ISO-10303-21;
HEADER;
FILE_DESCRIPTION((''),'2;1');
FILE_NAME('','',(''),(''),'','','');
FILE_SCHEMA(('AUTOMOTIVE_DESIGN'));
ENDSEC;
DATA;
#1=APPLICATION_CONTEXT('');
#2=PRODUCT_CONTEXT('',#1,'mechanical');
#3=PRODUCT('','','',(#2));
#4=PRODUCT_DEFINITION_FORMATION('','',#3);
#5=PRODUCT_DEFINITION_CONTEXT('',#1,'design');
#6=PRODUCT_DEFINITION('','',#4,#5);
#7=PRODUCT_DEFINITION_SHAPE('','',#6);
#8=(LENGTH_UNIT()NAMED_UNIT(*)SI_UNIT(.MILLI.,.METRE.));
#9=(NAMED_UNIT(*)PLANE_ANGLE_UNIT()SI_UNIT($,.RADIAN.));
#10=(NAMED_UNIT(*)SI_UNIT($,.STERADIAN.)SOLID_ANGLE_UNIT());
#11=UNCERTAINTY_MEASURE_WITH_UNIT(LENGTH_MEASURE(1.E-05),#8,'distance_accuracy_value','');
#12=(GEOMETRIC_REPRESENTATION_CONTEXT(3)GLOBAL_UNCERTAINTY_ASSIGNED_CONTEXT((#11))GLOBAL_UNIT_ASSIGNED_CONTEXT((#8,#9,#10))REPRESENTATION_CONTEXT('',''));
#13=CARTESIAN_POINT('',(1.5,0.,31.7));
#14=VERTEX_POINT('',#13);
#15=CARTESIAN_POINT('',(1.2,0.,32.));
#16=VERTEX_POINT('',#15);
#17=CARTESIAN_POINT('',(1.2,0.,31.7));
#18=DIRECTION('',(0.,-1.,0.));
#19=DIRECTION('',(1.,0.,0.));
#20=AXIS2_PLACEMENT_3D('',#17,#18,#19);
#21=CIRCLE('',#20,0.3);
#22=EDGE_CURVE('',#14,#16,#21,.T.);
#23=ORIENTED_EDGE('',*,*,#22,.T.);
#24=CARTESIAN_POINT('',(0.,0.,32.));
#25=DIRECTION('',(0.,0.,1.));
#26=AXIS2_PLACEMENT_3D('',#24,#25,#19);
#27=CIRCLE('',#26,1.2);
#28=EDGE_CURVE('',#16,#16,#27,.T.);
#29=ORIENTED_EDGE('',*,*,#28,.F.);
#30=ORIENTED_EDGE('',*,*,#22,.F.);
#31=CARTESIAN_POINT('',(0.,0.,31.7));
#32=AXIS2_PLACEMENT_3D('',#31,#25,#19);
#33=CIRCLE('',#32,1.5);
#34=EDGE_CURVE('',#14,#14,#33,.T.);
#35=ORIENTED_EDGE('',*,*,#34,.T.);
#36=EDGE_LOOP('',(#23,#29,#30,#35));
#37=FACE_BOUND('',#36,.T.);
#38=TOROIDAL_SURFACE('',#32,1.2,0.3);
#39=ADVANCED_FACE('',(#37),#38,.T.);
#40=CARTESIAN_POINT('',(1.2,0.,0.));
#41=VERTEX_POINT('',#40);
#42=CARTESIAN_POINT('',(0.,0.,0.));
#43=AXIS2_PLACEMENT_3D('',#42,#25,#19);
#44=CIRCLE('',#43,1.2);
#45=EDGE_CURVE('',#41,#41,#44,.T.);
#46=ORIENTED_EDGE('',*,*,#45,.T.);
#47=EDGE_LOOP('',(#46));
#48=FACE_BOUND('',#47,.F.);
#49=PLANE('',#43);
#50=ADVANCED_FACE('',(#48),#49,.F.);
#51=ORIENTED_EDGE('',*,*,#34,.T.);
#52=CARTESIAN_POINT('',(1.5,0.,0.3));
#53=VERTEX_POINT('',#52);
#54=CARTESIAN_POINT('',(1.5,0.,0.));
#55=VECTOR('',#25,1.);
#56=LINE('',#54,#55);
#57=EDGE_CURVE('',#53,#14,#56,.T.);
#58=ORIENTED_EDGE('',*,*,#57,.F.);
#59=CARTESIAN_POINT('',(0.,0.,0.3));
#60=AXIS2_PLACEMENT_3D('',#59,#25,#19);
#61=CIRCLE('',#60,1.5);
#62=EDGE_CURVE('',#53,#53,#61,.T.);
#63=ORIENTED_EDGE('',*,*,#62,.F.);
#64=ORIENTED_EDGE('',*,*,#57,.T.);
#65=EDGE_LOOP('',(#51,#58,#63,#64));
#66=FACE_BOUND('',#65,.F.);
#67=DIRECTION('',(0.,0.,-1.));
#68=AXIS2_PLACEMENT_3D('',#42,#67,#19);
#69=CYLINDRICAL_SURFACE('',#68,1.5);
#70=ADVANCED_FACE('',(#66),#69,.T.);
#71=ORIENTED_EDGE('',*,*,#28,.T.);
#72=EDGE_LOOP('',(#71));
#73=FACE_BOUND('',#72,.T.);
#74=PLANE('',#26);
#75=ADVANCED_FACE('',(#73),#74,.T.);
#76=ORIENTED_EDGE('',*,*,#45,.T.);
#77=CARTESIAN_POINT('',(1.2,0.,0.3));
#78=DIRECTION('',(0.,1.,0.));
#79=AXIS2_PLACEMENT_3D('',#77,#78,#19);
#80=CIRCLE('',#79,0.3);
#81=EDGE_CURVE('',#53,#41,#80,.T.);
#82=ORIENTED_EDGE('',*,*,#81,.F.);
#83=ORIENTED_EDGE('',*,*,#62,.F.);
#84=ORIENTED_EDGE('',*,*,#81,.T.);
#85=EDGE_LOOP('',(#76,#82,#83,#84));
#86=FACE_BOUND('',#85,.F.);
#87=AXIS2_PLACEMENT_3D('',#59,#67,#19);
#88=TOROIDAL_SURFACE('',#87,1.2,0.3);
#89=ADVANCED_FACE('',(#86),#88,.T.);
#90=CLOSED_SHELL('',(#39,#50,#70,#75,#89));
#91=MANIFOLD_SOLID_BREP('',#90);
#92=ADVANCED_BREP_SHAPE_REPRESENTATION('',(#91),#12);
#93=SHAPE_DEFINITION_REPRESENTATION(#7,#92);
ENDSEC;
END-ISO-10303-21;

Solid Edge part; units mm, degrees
sketch "Sketch1" plane through (0, 0, 0) normal (0, 0, 1) x (1, 0, 0)
  circle A0 centre (0, 0) radius 1.5
extrude "Protrusion1" add sketch "Sketch1" along normal blind 32
fillet "Round_1" radius 0.3 2 edges at (-1.5, 0, 32) (-1.5, 0, 0)
